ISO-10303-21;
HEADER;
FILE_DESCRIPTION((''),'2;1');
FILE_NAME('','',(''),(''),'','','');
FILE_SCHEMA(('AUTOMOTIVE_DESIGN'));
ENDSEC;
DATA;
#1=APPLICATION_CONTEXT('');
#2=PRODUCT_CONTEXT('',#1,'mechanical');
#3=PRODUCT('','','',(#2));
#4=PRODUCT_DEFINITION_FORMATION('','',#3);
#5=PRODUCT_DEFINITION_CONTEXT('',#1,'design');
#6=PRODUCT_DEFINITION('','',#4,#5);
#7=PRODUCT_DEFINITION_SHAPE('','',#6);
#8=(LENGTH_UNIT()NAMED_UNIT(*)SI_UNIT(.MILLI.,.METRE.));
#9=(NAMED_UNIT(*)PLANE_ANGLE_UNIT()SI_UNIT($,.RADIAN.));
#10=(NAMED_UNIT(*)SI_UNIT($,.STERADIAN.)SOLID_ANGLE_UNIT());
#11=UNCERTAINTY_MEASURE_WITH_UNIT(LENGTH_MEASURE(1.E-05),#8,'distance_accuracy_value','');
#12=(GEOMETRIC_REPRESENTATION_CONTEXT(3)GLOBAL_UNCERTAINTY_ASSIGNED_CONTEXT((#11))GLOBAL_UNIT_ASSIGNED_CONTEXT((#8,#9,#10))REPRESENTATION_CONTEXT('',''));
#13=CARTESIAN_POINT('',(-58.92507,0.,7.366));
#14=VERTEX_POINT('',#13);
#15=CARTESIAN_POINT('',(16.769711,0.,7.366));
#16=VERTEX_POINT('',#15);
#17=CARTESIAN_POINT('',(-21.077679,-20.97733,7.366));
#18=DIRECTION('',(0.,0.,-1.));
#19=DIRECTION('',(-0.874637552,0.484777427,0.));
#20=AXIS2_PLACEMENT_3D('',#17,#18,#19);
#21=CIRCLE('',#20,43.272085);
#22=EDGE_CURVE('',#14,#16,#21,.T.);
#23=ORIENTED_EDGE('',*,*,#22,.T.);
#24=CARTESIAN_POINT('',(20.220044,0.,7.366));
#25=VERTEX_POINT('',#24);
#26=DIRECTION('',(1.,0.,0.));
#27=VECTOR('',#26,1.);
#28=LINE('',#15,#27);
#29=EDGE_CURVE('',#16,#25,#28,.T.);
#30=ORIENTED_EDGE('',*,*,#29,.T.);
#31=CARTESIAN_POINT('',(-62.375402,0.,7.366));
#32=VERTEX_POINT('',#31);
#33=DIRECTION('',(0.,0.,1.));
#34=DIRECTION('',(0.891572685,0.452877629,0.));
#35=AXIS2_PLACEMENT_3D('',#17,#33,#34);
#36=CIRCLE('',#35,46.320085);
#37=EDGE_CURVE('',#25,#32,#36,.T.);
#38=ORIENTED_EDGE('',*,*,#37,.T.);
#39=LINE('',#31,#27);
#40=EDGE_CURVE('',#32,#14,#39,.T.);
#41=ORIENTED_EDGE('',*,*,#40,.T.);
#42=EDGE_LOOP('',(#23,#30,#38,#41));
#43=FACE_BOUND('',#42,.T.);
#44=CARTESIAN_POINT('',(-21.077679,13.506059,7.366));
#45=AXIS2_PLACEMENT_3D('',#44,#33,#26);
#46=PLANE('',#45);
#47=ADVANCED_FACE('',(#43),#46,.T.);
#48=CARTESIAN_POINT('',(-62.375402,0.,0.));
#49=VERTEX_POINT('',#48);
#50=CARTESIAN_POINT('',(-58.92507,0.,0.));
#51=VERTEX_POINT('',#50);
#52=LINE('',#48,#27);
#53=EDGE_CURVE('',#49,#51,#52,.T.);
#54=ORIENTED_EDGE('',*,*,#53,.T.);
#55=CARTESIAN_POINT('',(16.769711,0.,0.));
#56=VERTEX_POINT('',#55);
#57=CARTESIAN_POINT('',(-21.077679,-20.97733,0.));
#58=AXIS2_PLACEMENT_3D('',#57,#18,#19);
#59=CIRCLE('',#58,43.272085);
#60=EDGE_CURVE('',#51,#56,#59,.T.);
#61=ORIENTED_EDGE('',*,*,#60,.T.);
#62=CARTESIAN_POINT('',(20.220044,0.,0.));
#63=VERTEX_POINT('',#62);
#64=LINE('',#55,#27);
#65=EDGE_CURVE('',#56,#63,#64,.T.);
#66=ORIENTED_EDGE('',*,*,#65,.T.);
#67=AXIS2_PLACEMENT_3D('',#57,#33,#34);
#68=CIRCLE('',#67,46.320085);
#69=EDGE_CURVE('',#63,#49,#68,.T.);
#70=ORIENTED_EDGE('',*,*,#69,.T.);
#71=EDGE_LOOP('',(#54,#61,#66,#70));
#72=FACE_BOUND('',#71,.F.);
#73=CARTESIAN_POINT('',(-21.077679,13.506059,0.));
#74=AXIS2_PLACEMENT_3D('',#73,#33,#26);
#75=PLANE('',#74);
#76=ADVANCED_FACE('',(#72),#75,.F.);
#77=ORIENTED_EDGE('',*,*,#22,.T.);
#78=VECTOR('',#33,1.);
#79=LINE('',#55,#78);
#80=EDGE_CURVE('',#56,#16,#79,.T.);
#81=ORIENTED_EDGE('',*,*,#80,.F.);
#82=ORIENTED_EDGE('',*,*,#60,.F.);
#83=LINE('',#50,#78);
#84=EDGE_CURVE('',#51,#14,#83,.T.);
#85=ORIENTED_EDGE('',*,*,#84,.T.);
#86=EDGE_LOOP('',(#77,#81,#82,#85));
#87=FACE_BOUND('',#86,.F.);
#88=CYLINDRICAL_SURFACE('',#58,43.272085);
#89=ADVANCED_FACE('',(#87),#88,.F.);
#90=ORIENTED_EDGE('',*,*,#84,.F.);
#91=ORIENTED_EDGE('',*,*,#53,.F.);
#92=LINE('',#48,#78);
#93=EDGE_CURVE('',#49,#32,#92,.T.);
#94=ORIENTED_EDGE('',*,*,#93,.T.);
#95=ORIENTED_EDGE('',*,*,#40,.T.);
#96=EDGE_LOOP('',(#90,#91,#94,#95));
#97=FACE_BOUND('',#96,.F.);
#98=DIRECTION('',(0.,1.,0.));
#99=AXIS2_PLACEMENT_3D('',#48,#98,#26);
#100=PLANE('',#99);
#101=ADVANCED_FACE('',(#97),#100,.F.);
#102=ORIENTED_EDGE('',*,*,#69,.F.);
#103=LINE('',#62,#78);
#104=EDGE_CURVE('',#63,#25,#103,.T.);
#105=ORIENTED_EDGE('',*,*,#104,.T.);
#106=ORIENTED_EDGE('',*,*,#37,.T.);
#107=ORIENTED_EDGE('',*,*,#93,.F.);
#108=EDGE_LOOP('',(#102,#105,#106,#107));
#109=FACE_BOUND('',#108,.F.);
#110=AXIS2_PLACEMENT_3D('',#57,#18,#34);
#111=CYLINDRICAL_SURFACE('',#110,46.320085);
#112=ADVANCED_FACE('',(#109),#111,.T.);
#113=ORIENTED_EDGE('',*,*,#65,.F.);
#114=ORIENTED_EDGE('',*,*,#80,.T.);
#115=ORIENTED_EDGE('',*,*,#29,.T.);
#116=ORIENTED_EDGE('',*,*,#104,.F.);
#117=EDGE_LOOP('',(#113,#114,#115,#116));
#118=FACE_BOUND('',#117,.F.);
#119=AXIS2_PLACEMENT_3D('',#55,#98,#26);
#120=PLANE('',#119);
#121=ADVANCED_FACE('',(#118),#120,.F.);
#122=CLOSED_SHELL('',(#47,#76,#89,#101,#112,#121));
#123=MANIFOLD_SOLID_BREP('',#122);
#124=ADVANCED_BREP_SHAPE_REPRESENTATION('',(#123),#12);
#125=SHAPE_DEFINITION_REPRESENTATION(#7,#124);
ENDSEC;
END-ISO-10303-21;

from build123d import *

# Parameters (mm, degrees)
F1_DEPTH = 7.366


with BuildPart() as f1:
    # F0 (on Top) → F1 (new body)
    with BuildSketch(Plane.XY):
        with BuildLine():
            ThreePointArc((-58.92507, 0), (-21.077679, 22.294755), (16.769711, 0))
            Line((16.769711, 0), (20.220044, 0))
            ThreePointArc((20.220044, 0), (-21.077679, 25.342755), (-62.375402, 0))
            Line((-62.375402, 0), (-58.92507, 0))
        make_face()
    extrude(amount=F1_DEPTH)


solid = f1.part
